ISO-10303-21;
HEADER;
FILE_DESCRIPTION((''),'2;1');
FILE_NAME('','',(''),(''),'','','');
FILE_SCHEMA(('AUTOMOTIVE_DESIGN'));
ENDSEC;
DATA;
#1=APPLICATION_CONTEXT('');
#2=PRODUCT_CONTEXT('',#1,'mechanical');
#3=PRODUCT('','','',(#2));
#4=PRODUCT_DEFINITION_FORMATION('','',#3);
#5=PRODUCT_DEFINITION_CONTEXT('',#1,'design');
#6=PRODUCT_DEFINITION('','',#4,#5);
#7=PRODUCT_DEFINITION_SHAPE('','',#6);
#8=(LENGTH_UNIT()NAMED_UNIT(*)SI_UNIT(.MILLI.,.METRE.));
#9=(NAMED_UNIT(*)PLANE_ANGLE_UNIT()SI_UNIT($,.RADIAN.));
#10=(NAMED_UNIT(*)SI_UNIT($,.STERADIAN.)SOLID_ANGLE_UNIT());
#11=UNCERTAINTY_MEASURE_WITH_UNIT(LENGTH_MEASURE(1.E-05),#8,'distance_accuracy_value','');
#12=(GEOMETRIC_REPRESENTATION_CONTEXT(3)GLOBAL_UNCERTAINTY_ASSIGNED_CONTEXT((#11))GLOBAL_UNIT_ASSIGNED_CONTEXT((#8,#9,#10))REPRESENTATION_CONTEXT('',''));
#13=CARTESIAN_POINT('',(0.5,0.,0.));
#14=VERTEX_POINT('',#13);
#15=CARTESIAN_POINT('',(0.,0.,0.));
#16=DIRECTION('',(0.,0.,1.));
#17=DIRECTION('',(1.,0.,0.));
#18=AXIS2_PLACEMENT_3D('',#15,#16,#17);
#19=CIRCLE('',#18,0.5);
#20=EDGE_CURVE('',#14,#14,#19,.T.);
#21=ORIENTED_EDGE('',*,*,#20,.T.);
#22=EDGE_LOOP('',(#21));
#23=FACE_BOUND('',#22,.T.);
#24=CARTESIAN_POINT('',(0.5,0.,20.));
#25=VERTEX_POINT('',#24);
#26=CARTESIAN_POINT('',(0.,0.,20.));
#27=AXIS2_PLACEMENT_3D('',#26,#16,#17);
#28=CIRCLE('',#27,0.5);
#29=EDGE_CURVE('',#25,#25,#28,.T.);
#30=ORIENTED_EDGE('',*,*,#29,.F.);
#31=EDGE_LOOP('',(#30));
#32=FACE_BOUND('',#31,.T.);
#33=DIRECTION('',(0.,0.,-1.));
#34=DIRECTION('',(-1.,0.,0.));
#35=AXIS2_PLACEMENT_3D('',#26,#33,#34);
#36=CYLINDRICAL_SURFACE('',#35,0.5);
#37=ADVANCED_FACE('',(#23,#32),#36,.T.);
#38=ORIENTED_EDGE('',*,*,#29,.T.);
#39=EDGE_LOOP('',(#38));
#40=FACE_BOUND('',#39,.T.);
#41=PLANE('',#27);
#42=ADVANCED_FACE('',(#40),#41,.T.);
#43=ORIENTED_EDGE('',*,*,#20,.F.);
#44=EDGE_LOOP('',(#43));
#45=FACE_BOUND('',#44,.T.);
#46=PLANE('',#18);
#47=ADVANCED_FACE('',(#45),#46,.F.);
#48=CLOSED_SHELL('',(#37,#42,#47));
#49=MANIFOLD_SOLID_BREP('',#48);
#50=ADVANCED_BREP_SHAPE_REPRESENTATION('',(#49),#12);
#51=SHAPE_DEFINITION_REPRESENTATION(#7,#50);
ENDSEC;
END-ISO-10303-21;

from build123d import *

# Parameters (mm, degrees)
ESQUISSE1_R        = 0.5
BOSS_EXTRU_1_DEPTH = 20


with BuildPart() as part:
    # Esquisse1 → Boss.-Extru.1 (new body)
    with BuildSketch(Plane.XY):
        Circle(ESQUISSE1_R)
    extrude(amount=BOSS_EXTRU_1_DEPTH)


solid = part.part
